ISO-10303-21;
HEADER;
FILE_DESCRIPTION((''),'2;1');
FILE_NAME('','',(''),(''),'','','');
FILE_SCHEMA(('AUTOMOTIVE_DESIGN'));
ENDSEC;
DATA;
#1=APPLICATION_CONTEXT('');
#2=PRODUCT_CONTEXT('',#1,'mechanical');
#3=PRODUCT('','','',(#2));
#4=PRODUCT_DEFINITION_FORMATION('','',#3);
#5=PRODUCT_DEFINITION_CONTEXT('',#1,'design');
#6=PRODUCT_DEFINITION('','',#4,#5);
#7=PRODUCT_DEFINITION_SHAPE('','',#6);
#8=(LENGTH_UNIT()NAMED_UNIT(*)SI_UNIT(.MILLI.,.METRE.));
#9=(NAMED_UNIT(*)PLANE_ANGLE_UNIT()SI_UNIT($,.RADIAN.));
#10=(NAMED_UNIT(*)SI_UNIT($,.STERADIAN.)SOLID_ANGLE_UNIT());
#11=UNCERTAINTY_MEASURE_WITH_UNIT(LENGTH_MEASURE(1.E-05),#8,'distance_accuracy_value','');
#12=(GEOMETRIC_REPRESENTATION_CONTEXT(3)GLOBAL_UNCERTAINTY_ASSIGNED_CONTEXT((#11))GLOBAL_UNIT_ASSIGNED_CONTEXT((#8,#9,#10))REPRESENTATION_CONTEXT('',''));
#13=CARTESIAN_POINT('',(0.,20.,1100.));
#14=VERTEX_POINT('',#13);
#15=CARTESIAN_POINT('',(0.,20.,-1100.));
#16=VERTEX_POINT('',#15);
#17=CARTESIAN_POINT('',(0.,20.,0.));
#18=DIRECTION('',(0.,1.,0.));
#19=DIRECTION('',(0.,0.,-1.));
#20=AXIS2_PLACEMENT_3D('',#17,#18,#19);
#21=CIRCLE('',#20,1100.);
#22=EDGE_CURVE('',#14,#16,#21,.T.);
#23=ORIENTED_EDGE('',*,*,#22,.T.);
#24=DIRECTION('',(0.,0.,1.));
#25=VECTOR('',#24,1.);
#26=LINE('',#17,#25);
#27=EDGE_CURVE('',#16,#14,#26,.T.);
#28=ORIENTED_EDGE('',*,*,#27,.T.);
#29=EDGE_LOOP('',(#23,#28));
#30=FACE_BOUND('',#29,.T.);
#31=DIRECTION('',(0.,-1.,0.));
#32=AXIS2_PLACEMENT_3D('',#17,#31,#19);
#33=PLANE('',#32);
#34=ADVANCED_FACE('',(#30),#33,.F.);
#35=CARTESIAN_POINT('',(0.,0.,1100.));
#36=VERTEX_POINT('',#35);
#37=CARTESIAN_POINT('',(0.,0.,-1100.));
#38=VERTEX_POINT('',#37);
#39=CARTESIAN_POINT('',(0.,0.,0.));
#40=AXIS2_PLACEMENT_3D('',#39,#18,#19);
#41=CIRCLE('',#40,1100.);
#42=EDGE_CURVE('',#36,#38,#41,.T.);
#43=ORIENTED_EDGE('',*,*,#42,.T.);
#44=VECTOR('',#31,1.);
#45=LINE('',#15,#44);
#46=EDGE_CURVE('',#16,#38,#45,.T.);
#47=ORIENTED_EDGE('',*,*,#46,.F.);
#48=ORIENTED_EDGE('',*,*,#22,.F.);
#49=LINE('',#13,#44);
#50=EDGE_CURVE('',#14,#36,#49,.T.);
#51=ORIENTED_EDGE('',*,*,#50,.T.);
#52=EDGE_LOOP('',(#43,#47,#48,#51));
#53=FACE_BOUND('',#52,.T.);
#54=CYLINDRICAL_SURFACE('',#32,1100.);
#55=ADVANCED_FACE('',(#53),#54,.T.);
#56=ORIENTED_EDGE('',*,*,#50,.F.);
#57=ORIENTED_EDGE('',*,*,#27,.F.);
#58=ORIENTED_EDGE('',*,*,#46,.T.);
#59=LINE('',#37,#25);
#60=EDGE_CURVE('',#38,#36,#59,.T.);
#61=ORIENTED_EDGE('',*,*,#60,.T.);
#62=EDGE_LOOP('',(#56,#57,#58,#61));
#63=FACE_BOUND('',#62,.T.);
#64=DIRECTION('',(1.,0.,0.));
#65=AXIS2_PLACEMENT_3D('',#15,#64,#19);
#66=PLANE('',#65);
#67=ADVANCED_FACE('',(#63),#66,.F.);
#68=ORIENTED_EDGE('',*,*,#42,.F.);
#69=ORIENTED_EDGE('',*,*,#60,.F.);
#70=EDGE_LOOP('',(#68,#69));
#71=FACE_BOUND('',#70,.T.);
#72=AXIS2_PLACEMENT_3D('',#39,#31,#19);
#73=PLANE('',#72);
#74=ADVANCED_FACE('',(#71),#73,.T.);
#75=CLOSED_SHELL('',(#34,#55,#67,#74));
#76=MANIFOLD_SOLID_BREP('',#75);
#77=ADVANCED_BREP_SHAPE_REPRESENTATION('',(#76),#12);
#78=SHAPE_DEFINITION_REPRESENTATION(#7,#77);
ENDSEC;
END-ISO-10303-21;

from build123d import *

# Parameters (mm, degrees)
BOSS_EXTRU_1_DEPTH = 20


with BuildPart() as part:
    # Esquisse2 → Boss.-Extru.1 (new body)
    with BuildSketch(Plane(origin=(0, 0, 0), x_dir=(1, 0, 0), z_dir=(0, 1, 0))):
        with BuildLine():
            Line((0, 1100), (0, 0))
            Line((0, 0), (0, -1100))
            ThreePointArc((0, -1100), (1100, 0), (0, 1100))
        make_face()
    extrude(amount=BOSS_EXTRU_1_DEPTH)


solid = part.part
